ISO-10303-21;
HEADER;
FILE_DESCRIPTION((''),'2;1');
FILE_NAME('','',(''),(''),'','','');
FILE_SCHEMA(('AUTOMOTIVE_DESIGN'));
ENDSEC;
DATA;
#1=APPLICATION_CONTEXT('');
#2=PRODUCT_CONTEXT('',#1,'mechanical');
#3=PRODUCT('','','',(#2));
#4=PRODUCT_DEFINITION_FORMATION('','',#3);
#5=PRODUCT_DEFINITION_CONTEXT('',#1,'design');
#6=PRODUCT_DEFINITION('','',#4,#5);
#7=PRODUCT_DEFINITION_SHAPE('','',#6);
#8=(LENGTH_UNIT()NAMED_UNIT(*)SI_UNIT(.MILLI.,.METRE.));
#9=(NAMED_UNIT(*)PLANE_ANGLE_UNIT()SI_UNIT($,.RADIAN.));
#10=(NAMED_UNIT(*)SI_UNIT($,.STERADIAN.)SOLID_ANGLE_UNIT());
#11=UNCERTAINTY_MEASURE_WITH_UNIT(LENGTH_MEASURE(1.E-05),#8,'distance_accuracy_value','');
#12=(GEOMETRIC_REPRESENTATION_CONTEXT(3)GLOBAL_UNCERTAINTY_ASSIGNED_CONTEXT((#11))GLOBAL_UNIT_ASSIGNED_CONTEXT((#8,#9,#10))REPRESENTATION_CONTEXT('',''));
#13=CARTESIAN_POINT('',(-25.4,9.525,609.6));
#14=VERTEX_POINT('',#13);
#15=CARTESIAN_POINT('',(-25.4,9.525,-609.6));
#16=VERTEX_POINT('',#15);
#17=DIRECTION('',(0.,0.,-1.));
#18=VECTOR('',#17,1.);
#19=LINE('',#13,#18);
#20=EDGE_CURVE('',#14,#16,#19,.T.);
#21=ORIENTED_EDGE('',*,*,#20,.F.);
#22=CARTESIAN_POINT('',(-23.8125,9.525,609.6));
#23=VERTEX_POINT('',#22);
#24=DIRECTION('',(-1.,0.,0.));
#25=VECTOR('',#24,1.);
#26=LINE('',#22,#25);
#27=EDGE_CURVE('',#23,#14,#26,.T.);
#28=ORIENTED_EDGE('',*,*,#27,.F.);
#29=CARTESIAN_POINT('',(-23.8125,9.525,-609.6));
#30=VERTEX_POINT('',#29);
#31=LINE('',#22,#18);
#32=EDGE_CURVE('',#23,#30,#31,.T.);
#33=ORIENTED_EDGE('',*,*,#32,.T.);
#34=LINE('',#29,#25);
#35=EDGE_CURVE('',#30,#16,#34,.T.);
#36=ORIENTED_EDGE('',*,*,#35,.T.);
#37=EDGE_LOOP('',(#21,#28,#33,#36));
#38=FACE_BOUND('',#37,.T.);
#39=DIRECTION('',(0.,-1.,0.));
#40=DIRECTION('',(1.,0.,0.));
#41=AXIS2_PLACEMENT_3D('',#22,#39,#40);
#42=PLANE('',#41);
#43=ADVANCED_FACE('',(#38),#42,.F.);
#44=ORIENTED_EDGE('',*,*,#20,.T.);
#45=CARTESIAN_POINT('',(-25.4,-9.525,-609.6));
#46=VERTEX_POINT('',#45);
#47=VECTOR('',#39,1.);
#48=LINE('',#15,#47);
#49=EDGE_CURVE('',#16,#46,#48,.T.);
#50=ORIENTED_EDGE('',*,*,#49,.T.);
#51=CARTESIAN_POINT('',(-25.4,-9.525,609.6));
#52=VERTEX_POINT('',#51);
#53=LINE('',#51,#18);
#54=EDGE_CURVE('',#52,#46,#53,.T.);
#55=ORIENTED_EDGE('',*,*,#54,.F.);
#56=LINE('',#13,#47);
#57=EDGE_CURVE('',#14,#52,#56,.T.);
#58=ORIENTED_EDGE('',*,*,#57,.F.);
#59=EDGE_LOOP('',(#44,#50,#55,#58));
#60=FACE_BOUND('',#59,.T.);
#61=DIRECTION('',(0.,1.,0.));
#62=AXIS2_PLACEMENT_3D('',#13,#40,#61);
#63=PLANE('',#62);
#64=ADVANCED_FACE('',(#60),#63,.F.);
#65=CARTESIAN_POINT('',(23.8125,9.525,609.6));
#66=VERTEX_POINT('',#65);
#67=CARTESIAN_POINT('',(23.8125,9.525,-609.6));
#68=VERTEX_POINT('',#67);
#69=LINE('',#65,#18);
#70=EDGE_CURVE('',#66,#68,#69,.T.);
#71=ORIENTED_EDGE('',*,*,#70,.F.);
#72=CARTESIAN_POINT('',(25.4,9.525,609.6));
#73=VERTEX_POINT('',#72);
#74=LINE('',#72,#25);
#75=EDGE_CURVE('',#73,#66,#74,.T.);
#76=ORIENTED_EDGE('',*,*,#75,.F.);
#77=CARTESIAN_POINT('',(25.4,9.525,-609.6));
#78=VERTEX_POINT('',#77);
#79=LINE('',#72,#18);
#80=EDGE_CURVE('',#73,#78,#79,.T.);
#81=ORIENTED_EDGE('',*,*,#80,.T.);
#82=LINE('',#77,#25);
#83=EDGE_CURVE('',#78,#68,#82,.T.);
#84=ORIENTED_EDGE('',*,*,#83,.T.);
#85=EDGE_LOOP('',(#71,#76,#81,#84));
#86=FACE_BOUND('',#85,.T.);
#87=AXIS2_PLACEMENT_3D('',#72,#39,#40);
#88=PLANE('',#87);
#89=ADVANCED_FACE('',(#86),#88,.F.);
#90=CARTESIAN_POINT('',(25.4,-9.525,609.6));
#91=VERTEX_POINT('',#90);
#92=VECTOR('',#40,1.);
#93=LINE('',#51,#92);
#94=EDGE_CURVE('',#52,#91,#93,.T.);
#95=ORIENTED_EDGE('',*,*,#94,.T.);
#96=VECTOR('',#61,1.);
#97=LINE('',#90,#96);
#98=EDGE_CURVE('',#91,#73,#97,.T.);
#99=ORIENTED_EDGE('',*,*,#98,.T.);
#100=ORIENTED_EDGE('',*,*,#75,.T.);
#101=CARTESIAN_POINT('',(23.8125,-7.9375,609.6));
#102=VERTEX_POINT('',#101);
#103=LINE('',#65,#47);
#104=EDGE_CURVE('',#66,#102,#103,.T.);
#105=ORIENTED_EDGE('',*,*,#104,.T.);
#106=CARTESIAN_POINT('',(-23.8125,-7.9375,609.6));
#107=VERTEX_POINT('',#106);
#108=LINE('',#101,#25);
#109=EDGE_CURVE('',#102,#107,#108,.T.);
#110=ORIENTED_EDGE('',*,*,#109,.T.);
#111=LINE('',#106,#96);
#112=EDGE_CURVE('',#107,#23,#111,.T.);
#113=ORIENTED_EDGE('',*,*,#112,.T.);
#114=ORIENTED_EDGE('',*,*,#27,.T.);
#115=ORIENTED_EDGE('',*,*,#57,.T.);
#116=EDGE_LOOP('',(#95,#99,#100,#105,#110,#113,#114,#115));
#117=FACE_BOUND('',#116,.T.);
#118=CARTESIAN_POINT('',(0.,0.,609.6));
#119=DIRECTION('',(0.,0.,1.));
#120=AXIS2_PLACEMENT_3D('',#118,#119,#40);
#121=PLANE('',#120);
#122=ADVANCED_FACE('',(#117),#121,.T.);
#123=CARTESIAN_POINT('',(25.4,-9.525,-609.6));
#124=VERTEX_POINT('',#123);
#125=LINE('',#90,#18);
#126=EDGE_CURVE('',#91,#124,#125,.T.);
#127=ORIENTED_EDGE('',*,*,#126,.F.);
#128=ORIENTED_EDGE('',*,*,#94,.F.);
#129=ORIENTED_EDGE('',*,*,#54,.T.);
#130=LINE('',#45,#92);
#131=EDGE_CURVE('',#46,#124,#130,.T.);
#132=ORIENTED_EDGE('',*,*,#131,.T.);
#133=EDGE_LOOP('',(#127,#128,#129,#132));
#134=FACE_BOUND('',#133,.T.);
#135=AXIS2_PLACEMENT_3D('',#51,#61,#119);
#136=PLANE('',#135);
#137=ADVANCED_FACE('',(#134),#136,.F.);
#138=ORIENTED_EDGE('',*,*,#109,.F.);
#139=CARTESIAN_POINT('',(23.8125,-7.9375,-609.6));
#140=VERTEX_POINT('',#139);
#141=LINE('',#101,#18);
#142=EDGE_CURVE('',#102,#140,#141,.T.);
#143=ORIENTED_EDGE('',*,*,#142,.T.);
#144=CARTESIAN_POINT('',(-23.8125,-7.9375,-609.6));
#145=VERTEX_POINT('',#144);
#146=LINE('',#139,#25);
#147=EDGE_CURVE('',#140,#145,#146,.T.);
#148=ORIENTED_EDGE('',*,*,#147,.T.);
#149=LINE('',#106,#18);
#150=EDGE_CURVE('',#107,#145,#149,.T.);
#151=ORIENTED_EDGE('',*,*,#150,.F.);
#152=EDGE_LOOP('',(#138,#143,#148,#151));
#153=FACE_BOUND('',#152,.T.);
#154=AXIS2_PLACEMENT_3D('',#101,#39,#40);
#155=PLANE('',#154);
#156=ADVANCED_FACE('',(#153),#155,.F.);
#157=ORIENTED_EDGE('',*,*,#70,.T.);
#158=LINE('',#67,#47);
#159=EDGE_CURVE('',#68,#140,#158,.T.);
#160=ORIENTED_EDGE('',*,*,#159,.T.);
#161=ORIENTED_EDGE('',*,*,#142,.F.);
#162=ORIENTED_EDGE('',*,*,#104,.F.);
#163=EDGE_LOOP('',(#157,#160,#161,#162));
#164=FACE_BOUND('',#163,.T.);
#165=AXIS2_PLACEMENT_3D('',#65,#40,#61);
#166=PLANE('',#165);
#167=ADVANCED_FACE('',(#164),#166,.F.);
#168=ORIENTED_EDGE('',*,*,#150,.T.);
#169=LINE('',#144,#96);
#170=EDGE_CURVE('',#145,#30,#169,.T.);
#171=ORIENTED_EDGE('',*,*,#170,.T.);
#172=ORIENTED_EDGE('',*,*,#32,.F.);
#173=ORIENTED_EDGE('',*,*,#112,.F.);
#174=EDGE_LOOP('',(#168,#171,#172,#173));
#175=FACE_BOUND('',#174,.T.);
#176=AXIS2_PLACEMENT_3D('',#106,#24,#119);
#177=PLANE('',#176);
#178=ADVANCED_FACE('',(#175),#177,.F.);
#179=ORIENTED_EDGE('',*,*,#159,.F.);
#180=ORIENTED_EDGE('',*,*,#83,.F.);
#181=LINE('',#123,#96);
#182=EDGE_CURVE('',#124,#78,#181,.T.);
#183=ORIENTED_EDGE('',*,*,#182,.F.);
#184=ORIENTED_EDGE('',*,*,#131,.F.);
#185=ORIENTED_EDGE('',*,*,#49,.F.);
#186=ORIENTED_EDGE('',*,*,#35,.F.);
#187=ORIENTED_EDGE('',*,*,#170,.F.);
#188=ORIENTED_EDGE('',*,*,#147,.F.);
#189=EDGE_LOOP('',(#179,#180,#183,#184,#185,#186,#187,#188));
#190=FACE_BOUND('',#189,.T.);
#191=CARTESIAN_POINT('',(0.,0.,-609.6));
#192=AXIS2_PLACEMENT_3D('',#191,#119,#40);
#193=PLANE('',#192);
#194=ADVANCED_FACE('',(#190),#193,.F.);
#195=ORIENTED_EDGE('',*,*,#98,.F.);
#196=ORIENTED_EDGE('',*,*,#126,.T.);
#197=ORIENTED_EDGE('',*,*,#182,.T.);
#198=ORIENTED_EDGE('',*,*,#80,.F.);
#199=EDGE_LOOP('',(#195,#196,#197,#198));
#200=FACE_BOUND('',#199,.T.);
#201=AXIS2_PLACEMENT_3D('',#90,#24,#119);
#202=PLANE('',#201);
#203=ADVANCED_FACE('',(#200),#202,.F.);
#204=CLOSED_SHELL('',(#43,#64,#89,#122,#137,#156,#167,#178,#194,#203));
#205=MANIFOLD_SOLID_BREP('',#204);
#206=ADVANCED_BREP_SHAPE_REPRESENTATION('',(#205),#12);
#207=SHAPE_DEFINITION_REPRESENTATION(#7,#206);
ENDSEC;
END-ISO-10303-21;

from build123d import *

# Parameters (mm, degrees)
BOSS_EXTRUDE2_DEPTH = 609.6


with BuildPart() as part:
    # Sketch3 → Boss-Extrude2 (new, symmetric)
    with BuildSketch(Plane.XY):
        Polygon((-25.4, 9.525), (-25.4, -9.525), (25.4, -9.525), (25.4, 9.525), (23.8125, 9.525), (23.8125, -7.9375), (-23.8125, -7.9375), (-23.8125, 9.525), align=None)
    extrude(amount=BOSS_EXTRUDE2_DEPTH, both=True)


solid = part.part
